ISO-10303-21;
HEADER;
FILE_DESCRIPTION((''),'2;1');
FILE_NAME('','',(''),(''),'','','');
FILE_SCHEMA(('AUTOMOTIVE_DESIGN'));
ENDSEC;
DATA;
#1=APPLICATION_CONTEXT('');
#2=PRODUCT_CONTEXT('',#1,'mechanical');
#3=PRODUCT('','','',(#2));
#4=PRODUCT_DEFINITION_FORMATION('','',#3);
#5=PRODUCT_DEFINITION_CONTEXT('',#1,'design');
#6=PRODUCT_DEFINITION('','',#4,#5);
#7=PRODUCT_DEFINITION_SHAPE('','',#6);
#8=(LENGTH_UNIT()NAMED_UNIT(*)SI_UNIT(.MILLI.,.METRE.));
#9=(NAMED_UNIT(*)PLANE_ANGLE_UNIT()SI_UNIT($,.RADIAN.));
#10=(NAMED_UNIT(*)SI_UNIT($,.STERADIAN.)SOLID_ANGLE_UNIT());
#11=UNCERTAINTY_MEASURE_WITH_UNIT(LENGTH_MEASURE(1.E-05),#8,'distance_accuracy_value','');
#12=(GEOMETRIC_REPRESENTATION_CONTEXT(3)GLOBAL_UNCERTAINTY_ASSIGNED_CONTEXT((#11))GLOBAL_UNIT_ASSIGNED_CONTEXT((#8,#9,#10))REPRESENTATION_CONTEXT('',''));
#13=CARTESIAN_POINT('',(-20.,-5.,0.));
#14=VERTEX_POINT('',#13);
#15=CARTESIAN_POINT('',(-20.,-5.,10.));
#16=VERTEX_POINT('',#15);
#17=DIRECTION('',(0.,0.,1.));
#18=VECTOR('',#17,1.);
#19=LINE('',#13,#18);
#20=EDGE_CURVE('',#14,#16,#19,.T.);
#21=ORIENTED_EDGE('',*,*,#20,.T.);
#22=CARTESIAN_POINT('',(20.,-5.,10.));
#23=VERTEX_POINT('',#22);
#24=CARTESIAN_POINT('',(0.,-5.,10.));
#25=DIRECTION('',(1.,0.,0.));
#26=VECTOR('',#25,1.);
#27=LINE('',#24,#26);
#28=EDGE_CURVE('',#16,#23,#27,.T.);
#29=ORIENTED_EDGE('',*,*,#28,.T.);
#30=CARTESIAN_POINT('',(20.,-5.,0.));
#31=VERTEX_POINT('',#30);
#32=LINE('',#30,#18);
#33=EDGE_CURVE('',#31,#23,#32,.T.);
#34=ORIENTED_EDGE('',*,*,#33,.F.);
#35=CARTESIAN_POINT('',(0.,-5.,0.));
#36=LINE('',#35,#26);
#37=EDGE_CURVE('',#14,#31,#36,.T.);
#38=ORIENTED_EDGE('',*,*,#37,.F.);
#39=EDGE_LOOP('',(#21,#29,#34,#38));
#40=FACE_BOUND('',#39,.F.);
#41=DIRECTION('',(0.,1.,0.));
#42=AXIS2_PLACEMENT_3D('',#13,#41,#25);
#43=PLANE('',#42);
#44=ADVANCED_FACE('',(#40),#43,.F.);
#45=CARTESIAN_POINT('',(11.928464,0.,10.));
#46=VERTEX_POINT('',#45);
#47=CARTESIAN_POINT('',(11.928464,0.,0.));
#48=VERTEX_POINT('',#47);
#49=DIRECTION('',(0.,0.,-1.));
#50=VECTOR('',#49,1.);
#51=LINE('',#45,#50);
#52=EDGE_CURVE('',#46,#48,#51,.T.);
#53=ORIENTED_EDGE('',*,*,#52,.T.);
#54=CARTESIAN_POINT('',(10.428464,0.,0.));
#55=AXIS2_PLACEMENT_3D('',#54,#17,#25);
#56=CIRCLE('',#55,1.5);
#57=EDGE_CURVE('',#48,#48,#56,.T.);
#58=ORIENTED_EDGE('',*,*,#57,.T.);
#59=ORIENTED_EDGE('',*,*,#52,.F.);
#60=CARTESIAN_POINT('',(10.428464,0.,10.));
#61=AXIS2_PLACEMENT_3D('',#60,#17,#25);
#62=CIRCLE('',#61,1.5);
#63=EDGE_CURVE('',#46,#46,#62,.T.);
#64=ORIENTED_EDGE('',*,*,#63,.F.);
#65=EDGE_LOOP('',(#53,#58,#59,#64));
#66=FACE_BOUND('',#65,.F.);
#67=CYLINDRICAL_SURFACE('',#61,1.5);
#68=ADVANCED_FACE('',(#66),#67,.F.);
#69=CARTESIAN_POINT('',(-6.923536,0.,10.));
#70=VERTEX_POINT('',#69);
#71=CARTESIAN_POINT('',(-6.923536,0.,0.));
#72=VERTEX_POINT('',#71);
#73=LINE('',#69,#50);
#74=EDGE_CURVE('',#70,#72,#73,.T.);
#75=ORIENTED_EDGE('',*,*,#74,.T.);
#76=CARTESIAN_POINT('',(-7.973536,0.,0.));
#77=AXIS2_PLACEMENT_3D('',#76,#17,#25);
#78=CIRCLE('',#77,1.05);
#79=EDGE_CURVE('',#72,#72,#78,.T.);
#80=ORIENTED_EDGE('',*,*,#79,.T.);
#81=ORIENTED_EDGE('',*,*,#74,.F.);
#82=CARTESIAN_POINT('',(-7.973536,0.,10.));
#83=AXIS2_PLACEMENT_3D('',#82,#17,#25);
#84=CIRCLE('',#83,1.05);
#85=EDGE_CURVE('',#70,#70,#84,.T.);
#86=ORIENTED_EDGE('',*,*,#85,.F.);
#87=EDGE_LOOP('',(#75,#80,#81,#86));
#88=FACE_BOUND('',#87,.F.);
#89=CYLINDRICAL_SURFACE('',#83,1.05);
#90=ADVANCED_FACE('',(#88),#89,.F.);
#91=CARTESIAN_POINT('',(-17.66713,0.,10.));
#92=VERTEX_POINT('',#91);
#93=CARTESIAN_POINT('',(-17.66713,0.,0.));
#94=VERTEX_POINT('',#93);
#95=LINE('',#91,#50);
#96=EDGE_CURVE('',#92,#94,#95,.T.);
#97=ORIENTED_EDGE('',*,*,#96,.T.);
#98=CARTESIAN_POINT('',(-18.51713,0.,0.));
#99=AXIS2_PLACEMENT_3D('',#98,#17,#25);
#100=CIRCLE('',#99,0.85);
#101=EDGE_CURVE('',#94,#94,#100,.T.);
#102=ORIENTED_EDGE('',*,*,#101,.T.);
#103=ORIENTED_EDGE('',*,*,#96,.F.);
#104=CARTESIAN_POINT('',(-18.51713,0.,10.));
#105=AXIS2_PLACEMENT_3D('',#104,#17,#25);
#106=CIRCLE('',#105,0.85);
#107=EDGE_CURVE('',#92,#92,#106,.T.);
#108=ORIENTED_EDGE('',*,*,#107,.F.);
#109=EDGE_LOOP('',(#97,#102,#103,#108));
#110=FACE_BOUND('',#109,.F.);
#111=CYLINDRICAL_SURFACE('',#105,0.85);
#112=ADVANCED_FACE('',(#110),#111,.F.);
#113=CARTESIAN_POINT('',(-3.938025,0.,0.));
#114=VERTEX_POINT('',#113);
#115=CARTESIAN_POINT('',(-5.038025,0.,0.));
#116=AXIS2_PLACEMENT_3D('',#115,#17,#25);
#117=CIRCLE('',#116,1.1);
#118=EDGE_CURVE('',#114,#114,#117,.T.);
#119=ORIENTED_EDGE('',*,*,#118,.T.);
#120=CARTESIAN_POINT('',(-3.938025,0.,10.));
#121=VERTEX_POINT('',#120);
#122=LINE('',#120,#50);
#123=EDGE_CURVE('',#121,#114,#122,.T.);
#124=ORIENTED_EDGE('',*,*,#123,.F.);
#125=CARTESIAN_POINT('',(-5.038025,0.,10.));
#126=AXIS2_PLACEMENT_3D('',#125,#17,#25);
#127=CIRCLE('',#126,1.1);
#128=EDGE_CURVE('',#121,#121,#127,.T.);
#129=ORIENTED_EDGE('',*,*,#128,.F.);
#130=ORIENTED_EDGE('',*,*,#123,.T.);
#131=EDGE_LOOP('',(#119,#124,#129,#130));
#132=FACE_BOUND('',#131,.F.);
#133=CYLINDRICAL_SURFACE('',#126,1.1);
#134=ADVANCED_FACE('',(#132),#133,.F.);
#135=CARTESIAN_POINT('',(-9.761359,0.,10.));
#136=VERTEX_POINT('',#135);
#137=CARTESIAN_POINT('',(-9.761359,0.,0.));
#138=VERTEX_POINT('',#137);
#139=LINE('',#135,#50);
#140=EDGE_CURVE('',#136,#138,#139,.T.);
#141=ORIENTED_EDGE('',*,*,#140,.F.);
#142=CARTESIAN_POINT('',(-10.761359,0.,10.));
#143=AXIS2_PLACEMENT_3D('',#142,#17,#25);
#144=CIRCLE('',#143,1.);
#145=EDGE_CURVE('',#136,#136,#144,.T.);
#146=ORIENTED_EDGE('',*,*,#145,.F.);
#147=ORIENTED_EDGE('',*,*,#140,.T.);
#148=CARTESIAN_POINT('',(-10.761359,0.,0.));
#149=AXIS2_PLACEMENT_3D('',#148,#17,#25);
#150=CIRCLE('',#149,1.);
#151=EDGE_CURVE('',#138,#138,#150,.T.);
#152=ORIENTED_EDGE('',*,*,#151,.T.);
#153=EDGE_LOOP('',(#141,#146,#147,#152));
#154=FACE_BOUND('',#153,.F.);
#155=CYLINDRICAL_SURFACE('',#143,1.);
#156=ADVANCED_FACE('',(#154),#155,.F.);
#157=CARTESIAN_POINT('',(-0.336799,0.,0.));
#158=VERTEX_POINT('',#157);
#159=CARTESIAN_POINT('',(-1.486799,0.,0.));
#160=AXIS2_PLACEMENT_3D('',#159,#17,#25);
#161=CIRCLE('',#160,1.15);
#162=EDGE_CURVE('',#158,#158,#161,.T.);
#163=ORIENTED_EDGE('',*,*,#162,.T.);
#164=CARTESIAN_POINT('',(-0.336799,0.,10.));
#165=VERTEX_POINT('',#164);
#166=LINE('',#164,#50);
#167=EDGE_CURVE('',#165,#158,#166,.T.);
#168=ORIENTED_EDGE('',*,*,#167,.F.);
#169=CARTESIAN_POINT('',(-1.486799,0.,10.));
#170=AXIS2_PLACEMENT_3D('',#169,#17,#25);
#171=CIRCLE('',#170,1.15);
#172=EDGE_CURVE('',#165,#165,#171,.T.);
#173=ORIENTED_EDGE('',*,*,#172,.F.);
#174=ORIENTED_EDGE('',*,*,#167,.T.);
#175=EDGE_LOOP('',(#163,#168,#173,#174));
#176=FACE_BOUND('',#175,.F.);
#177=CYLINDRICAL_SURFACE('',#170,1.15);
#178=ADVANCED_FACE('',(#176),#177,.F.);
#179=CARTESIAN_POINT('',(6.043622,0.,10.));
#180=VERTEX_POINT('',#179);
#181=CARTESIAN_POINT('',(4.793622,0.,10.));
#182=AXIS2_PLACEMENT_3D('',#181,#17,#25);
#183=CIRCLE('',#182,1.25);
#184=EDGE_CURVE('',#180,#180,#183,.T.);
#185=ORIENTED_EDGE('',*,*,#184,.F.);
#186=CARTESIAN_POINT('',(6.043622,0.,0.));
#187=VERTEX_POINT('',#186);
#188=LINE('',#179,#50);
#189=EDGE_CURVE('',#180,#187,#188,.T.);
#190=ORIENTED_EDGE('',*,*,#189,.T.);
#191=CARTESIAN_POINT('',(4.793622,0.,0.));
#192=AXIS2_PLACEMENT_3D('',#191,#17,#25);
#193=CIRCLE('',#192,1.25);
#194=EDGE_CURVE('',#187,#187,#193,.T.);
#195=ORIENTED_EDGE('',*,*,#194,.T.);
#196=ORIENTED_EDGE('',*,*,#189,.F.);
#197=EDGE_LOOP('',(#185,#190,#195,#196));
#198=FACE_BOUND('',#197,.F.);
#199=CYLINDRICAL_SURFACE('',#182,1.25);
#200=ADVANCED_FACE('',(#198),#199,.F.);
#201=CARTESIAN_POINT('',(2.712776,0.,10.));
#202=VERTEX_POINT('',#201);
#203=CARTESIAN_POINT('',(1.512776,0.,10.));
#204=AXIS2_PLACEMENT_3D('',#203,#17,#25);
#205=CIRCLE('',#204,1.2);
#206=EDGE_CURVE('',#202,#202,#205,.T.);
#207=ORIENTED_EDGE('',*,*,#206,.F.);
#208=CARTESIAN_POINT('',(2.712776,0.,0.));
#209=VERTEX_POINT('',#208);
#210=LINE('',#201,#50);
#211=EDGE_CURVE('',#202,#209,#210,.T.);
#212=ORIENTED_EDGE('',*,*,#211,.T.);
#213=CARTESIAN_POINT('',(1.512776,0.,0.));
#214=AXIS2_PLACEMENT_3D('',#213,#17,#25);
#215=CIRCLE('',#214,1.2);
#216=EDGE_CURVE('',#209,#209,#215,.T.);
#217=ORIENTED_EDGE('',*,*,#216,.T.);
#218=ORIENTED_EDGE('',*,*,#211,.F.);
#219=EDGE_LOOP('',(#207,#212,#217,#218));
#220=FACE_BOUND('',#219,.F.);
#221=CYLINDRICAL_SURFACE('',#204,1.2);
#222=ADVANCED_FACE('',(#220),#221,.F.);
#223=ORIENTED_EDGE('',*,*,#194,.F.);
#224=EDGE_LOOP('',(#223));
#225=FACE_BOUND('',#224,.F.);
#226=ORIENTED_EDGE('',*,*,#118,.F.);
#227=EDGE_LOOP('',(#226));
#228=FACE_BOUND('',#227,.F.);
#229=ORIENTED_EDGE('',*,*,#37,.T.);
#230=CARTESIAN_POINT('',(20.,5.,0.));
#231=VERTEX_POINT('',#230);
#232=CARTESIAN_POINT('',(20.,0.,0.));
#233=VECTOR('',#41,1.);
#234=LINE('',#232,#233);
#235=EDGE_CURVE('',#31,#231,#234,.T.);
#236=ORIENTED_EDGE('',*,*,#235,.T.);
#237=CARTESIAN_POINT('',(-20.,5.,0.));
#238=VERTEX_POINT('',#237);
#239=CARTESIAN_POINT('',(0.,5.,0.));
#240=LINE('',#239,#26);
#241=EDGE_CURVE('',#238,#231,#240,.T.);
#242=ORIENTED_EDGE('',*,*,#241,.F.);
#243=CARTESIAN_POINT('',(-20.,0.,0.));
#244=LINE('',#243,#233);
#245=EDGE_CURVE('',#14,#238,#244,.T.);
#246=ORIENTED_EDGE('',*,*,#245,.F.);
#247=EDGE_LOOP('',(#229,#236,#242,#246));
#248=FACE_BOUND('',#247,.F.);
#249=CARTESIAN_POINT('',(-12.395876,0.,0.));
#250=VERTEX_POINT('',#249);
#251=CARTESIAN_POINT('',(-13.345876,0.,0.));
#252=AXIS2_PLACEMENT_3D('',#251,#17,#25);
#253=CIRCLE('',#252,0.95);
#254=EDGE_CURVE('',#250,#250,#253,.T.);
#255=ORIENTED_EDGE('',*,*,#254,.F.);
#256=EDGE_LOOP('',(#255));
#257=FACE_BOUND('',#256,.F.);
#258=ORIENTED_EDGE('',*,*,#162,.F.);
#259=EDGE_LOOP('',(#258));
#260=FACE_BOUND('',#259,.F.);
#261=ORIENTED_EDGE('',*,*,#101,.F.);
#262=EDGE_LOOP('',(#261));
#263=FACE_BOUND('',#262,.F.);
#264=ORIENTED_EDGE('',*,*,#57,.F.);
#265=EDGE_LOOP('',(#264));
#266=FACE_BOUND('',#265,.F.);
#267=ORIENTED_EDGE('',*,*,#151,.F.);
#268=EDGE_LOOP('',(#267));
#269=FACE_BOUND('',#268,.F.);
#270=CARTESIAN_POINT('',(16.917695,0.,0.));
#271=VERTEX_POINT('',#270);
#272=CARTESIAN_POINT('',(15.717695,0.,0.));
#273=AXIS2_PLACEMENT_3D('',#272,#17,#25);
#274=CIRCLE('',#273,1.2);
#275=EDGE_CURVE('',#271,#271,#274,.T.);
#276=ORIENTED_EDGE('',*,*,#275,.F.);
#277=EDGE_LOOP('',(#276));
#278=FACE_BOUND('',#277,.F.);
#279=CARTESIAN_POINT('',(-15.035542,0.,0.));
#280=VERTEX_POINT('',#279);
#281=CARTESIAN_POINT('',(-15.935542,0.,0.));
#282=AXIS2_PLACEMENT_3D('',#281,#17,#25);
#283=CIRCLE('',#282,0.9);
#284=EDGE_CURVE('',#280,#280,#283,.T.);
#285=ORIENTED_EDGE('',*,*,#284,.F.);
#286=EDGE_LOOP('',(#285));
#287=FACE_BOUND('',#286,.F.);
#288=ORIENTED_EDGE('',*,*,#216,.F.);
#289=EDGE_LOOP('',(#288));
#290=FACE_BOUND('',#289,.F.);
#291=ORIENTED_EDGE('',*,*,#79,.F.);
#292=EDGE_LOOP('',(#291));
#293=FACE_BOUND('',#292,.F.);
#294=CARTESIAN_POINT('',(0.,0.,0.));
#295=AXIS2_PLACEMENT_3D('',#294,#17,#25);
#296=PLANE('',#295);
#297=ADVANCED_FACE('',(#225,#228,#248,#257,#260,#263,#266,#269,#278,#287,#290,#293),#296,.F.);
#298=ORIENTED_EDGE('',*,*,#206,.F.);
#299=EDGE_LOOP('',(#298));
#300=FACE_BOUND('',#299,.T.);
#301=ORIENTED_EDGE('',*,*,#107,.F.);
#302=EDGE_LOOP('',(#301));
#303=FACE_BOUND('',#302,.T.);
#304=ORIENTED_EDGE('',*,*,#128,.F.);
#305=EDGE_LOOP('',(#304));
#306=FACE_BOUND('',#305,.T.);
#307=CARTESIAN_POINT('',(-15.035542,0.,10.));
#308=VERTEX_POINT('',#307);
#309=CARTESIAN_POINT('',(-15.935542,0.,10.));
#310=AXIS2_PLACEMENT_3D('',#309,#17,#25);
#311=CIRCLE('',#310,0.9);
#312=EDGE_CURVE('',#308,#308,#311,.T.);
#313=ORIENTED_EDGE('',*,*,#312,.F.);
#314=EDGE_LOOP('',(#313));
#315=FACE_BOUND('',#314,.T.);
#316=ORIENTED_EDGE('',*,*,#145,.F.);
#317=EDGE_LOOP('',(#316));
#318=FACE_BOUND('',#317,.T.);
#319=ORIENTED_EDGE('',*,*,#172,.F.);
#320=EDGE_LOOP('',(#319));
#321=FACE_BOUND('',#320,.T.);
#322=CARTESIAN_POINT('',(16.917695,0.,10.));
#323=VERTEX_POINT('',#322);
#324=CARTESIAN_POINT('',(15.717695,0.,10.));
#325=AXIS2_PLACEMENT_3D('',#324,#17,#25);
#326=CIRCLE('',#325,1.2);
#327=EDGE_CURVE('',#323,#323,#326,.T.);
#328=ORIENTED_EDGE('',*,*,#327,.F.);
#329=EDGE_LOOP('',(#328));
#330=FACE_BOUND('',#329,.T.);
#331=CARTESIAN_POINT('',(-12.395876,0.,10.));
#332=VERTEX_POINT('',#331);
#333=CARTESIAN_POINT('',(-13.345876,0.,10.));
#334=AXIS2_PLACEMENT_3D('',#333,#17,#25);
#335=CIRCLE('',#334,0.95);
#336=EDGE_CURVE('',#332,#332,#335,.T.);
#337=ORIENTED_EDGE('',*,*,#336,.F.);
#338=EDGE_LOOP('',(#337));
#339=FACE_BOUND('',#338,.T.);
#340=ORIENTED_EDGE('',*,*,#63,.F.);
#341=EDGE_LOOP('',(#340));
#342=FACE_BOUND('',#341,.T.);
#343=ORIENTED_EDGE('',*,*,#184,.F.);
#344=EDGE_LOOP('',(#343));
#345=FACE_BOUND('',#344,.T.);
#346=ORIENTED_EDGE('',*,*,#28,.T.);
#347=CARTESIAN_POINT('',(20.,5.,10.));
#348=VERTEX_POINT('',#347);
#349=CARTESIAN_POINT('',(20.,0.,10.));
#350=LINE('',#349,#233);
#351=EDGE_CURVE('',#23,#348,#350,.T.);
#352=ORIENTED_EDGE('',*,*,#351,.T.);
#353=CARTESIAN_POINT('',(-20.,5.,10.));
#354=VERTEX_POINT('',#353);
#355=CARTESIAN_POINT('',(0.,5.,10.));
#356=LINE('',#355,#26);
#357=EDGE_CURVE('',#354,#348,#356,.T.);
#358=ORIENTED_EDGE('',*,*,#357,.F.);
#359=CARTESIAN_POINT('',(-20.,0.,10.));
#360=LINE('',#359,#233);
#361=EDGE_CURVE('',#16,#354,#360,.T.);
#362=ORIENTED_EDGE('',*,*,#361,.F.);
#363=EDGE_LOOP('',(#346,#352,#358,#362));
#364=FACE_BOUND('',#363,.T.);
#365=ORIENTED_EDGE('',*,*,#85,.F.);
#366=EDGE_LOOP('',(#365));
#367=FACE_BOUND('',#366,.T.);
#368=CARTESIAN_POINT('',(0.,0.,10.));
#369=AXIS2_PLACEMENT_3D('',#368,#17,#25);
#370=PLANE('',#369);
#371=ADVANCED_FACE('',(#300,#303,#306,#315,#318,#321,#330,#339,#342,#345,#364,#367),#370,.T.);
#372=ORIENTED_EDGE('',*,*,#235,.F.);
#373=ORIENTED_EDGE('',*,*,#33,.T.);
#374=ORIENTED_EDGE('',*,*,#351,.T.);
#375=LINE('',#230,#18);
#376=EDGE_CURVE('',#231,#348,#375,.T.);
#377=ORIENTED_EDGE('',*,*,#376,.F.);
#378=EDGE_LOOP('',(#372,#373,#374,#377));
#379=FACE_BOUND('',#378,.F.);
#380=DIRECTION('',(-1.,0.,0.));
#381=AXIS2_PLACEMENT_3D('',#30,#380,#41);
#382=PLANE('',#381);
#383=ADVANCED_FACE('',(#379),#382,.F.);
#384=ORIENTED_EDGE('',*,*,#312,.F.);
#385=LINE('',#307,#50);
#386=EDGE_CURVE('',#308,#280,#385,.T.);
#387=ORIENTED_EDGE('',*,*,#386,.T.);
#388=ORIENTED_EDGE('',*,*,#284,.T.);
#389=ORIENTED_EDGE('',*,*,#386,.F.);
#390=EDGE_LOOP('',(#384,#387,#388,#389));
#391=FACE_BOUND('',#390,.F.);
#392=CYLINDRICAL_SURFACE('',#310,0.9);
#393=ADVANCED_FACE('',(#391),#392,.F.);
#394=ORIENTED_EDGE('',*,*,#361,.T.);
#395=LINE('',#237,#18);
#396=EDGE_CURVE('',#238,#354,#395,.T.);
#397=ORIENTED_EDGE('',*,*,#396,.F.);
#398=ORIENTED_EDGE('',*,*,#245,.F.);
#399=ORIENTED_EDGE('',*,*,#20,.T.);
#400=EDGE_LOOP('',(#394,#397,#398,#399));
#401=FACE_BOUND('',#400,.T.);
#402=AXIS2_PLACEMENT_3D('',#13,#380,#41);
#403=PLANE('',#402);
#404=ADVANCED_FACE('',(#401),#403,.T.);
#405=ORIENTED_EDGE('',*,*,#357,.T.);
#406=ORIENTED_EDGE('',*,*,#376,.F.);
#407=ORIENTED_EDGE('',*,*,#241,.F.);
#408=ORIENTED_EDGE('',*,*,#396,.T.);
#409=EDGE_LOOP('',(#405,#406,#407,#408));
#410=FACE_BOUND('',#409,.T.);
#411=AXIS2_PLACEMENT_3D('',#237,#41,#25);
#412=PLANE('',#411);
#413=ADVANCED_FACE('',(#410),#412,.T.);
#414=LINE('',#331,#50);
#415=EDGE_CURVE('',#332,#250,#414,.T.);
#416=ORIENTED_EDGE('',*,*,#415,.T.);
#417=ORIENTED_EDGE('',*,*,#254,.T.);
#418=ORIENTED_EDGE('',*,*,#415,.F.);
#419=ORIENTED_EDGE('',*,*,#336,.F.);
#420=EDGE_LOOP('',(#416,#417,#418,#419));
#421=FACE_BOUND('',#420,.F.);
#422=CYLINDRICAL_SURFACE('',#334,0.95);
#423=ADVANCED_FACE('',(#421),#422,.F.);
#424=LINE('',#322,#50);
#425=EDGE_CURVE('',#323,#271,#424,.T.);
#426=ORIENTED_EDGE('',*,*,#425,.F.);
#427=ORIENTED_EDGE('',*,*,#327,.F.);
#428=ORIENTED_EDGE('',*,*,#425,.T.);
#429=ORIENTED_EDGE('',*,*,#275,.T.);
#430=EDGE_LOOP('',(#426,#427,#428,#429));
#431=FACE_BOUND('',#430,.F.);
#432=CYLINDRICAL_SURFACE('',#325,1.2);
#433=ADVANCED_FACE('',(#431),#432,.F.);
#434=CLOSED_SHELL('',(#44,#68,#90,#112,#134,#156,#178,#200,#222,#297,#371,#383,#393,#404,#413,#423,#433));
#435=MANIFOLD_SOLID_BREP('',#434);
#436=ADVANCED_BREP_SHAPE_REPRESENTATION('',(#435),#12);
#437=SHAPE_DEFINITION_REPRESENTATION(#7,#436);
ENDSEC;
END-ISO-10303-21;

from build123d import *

# Parameters (mm, degrees)
SKETCH_W      = 40
SKETCH_H      = 10
PAD_DEPTH     = 10
SKETCH001_R   = 0.85
HOLE_DEPTH    = 25
SKETCH002_R   = 0.9
HOLE001_DEPTH = 25
SKETCH003_R   = 0.95
HOLE002_DEPTH = 25
SKETCH004_R   = 1
HOLE003_DEPTH = 25
SKETCH005_R   = 1.05
HOLE004_DEPTH = 25
SKETCH006_R   = 1.1
HOLE005_DEPTH = 25
SKETCH007_R   = 1.15
HOLE006_DEPTH = 25
SKETCH008_R   = 1.2
HOLE007_DEPTH = 25
SKETCH009_R   = 1.25
HOLE008_DEPTH = 25
SKETCH010_R   = 1.2
HOLE009_DEPTH = 25
SKETCH011_R   = 1.5
HOLE010_DEPTH = 25


with BuildPart() as part:
    # Sketch → Pad (new body)
    with BuildSketch(Plane.XY):
        Rectangle(SKETCH_W, SKETCH_H)
    extrude(amount=PAD_DEPTH)

    # Sketch001 (on Face6 of Pad) → Hole (cut)
    with BuildSketch(Plane.XY.offset(10)):
        with Locations((-18.51713, 0)):
            Circle(SKETCH001_R)
    extrude(amount=-HOLE_DEPTH, mode=Mode.SUBTRACT)

    # Sketch002 (on Face6 of Pad) → Hole001 (cut)
    with BuildSketch(Plane.XY.offset(10)):
        with Locations((-15.935542, 0)):
            Circle(SKETCH002_R)
    extrude(amount=-HOLE001_DEPTH, mode=Mode.SUBTRACT)

    # Sketch003 (on Face6 of Pad) → Hole002 (cut)
    with BuildSketch(Plane.XY.offset(10)):
        with Locations((-13.345876, 0)):
            Circle(SKETCH003_R)
    extrude(amount=-HOLE002_DEPTH, mode=Mode.SUBTRACT)

    # Sketch004 (on Face6 of Pad) → Hole003 (cut)
    with BuildSketch(Plane.XY.offset(10)):
        with Locations((-10.761359, 0)):
            Circle(SKETCH004_R)
    extrude(amount=-HOLE003_DEPTH, mode=Mode.SUBTRACT)

    # Sketch005 (on Face6 of Pad) → Hole004 (cut)
    with BuildSketch(Plane.XY.offset(10)):
        with Locations((-7.973536, 0)):
            Circle(SKETCH005_R)
    extrude(amount=-HOLE004_DEPTH, mode=Mode.SUBTRACT)

    # Sketch006 (on Face6 of Pad) → Hole005 (cut)
    with BuildSketch(Plane.XY.offset(10)):
        with Locations((-5.038025, 0)):
            Circle(SKETCH006_R)
    extrude(amount=-HOLE005_DEPTH, mode=Mode.SUBTRACT)

    # Sketch007 (on Face6 of Pad) → Hole006 (cut)
    with BuildSketch(Plane.XY.offset(10)):
        with Locations((-1.486799, 0)):
            Circle(SKETCH007_R)
    extrude(amount=-HOLE006_DEPTH, mode=Mode.SUBTRACT)

    # Sketch008 (on Face6 of Pad) → Hole007 (cut)
    with BuildSketch(Plane.XY.offset(10)):
        with Locations((1.512776, 0)):
            Circle(SKETCH008_R)
    extrude(amount=-HOLE007_DEPTH, mode=Mode.SUBTRACT)

    # Sketch009 (on Face6 of Pad) → Hole008 (cut)
    with BuildSketch(Plane.XY.offset(10)):
        with Locations((4.793622, 0)):
            Circle(SKETCH009_R)
    extrude(amount=-HOLE008_DEPTH, mode=Mode.SUBTRACT)

    # Sketch010 (on Face6 of Pad) → Hole009 (cut)
    with BuildSketch(Plane.XY.offset(10)):
        with Locations((15.717695, 0)):
            Circle(SKETCH010_R)
    extrude(amount=-HOLE009_DEPTH, mode=Mode.SUBTRACT)

    # Sketch011 (on Face5 of Hole009) → Hole010 (cut)
    with BuildSketch(Plane.XY.offset(10)):
        with Locations((10.428464, 0)):
            Circle(SKETCH011_R)
    extrude(amount=-HOLE010_DEPTH, mode=Mode.SUBTRACT)


solid = part.part
